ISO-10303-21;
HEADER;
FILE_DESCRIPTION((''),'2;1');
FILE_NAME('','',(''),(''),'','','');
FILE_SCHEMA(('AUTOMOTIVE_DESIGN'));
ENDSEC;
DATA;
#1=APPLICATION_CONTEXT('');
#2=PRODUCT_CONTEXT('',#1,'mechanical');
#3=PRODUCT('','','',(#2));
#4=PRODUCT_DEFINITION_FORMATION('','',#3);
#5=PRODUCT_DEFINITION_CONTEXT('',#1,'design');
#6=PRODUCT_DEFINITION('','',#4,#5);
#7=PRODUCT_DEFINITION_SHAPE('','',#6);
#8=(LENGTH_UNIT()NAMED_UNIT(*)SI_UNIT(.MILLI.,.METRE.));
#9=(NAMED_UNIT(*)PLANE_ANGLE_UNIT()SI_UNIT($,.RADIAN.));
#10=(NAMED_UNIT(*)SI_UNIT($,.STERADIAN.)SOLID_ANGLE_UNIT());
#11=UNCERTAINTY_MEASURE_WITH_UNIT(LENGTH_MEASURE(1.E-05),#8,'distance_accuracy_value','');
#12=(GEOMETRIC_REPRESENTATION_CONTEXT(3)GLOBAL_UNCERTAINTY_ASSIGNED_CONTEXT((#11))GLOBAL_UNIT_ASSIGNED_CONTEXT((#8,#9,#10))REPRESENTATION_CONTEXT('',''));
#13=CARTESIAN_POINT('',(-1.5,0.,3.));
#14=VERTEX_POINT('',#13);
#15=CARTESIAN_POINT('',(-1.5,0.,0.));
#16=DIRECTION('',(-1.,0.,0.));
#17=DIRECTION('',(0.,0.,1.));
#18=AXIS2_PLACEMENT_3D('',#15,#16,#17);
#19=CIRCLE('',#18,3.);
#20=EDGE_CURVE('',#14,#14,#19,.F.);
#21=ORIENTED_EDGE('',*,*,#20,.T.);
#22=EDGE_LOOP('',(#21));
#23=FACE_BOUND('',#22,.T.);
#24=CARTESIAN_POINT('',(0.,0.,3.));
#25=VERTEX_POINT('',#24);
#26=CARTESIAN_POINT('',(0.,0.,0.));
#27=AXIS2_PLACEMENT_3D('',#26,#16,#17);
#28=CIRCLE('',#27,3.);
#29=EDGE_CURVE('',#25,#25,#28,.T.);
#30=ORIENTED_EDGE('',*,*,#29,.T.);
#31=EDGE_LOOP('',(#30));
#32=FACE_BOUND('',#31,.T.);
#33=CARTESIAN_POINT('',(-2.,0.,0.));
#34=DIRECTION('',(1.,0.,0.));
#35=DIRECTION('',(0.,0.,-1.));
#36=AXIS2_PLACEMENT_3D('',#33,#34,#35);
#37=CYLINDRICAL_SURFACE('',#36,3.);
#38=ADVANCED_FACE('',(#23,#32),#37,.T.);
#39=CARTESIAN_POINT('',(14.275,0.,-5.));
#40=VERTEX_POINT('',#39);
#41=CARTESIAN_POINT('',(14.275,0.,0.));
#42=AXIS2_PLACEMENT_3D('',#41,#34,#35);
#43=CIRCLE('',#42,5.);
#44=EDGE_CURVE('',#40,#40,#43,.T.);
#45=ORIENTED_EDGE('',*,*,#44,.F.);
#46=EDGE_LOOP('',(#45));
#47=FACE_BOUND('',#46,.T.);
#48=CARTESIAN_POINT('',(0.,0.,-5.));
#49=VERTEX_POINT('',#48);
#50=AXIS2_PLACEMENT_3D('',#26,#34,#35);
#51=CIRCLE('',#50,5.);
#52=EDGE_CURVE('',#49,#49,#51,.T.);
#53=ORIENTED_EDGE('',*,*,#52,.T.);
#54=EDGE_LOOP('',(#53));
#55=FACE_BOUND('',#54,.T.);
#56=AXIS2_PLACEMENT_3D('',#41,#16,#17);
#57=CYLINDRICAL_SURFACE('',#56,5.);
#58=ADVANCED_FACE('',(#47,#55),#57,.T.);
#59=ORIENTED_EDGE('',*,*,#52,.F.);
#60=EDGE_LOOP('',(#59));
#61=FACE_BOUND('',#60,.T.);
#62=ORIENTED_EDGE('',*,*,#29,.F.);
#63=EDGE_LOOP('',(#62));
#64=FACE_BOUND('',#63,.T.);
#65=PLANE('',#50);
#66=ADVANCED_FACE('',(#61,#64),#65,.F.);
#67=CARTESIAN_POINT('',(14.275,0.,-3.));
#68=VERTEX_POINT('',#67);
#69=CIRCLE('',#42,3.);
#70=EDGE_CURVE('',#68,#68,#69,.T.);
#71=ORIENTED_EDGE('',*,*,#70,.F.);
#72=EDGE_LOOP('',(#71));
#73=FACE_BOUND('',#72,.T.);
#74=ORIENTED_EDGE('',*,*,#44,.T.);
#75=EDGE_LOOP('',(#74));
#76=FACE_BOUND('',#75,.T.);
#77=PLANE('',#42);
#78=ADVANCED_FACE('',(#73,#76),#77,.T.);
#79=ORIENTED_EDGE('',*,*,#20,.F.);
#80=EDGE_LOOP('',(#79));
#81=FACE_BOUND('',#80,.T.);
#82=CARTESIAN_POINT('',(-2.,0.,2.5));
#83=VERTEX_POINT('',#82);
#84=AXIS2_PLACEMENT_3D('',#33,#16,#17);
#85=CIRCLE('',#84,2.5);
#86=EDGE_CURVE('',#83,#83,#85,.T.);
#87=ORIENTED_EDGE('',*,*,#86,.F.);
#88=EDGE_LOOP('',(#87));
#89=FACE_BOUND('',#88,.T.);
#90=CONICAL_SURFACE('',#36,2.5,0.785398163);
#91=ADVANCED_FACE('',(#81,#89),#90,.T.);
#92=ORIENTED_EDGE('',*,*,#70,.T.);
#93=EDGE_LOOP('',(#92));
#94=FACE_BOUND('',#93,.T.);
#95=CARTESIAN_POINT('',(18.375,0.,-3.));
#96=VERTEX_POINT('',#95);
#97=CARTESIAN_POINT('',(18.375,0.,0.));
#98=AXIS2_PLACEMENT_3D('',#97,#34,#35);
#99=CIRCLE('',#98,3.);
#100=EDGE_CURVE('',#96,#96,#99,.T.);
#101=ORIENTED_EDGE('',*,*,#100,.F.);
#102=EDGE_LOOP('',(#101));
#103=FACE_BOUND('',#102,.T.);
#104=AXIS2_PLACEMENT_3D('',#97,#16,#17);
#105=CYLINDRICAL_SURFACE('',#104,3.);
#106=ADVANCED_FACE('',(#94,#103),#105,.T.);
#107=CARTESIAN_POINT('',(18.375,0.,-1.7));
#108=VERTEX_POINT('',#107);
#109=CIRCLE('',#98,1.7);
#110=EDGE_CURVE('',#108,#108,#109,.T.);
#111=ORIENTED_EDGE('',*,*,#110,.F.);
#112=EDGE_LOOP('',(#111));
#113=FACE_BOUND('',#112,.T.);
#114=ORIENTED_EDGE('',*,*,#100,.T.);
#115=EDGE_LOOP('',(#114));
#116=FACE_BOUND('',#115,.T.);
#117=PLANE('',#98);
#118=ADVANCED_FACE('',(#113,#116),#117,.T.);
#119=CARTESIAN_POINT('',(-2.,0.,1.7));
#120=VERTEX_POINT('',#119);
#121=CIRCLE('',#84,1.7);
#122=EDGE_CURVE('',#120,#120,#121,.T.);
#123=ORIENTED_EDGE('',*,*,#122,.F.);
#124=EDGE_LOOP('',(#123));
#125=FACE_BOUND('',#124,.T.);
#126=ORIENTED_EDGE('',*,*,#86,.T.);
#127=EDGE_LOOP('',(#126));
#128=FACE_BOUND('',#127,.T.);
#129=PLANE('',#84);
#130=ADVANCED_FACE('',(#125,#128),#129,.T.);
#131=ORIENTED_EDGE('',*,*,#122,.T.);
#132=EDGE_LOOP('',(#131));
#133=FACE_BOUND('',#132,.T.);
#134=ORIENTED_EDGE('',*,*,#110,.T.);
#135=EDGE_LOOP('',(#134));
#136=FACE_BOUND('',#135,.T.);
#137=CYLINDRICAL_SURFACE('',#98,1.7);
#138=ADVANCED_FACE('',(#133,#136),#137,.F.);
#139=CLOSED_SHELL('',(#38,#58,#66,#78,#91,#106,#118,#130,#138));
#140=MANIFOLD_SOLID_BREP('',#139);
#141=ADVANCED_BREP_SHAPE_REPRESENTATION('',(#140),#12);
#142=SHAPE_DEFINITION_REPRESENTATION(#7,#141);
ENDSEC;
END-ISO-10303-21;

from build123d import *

# Parameters (mm, degrees)
ESQUISSE1_R        = 5
BOSS_EXTRU_1_DEPTH = 14.275
ESQUISSE5_R        = 3
BOSS_EXTRU_2_DEPTH = 2
CHANFREIN1_SIZE    = 0.5
BOSS_EXTRU_3_START = 4.1
ESQUISSE6_R        = 3
BOSS_EXTRU_3_DEPTH = 4.1
D_GAGEMENT_M32_D   = 3.4


with BuildPart() as part:
    # Esquisse1 → Boss.-Extru.1 (new body)
    with BuildSketch(Plane(origin=(0, 0, 0), x_dir=(0, 0, -1), z_dir=(1, 0, 0))):
        Circle(ESQUISSE1_R)
    extrude(amount=BOSS_EXTRU_1_DEPTH)

    # Esquisse5 → Boss.-Extru.2 (add)
    with BuildSketch(Plane.ZY):
        Circle(ESQUISSE5_R)
    extrude(amount=BOSS_EXTRU_2_DEPTH)

    # Chanfrein1
    chanfrein1_edges = [part.edges().sort_by_distance(p)[0] for p in [
        (-2, 0, -3),
    ]]
    chamfer(chanfrein1_edges, length=CHANFREIN1_SIZE)

    # Esquisse6 → Boss.-Extru.3 (add)
    with BuildSketch(Plane(origin=(14.275, 0, 0), x_dir=(0, 0, -1), z_dir=(1, 0, 0)).offset(BOSS_EXTRU_3_START)):
        with Locations(Location((0, 0, 0), (0, 0, 180))):
            Circle(ESQUISSE6_R)
    extrude(amount=-BOSS_EXTRU_3_DEPTH)

    # Dégagement M32 (through all)
    with Locations(Plane(origin=(18.375, 0, 0), x_dir=(0, 0, -1), z_dir=(1, 0, 0))):
        with Locations((0, 0)):
            Hole(D_GAGEMENT_M32_D / 2)


solid = part.part
